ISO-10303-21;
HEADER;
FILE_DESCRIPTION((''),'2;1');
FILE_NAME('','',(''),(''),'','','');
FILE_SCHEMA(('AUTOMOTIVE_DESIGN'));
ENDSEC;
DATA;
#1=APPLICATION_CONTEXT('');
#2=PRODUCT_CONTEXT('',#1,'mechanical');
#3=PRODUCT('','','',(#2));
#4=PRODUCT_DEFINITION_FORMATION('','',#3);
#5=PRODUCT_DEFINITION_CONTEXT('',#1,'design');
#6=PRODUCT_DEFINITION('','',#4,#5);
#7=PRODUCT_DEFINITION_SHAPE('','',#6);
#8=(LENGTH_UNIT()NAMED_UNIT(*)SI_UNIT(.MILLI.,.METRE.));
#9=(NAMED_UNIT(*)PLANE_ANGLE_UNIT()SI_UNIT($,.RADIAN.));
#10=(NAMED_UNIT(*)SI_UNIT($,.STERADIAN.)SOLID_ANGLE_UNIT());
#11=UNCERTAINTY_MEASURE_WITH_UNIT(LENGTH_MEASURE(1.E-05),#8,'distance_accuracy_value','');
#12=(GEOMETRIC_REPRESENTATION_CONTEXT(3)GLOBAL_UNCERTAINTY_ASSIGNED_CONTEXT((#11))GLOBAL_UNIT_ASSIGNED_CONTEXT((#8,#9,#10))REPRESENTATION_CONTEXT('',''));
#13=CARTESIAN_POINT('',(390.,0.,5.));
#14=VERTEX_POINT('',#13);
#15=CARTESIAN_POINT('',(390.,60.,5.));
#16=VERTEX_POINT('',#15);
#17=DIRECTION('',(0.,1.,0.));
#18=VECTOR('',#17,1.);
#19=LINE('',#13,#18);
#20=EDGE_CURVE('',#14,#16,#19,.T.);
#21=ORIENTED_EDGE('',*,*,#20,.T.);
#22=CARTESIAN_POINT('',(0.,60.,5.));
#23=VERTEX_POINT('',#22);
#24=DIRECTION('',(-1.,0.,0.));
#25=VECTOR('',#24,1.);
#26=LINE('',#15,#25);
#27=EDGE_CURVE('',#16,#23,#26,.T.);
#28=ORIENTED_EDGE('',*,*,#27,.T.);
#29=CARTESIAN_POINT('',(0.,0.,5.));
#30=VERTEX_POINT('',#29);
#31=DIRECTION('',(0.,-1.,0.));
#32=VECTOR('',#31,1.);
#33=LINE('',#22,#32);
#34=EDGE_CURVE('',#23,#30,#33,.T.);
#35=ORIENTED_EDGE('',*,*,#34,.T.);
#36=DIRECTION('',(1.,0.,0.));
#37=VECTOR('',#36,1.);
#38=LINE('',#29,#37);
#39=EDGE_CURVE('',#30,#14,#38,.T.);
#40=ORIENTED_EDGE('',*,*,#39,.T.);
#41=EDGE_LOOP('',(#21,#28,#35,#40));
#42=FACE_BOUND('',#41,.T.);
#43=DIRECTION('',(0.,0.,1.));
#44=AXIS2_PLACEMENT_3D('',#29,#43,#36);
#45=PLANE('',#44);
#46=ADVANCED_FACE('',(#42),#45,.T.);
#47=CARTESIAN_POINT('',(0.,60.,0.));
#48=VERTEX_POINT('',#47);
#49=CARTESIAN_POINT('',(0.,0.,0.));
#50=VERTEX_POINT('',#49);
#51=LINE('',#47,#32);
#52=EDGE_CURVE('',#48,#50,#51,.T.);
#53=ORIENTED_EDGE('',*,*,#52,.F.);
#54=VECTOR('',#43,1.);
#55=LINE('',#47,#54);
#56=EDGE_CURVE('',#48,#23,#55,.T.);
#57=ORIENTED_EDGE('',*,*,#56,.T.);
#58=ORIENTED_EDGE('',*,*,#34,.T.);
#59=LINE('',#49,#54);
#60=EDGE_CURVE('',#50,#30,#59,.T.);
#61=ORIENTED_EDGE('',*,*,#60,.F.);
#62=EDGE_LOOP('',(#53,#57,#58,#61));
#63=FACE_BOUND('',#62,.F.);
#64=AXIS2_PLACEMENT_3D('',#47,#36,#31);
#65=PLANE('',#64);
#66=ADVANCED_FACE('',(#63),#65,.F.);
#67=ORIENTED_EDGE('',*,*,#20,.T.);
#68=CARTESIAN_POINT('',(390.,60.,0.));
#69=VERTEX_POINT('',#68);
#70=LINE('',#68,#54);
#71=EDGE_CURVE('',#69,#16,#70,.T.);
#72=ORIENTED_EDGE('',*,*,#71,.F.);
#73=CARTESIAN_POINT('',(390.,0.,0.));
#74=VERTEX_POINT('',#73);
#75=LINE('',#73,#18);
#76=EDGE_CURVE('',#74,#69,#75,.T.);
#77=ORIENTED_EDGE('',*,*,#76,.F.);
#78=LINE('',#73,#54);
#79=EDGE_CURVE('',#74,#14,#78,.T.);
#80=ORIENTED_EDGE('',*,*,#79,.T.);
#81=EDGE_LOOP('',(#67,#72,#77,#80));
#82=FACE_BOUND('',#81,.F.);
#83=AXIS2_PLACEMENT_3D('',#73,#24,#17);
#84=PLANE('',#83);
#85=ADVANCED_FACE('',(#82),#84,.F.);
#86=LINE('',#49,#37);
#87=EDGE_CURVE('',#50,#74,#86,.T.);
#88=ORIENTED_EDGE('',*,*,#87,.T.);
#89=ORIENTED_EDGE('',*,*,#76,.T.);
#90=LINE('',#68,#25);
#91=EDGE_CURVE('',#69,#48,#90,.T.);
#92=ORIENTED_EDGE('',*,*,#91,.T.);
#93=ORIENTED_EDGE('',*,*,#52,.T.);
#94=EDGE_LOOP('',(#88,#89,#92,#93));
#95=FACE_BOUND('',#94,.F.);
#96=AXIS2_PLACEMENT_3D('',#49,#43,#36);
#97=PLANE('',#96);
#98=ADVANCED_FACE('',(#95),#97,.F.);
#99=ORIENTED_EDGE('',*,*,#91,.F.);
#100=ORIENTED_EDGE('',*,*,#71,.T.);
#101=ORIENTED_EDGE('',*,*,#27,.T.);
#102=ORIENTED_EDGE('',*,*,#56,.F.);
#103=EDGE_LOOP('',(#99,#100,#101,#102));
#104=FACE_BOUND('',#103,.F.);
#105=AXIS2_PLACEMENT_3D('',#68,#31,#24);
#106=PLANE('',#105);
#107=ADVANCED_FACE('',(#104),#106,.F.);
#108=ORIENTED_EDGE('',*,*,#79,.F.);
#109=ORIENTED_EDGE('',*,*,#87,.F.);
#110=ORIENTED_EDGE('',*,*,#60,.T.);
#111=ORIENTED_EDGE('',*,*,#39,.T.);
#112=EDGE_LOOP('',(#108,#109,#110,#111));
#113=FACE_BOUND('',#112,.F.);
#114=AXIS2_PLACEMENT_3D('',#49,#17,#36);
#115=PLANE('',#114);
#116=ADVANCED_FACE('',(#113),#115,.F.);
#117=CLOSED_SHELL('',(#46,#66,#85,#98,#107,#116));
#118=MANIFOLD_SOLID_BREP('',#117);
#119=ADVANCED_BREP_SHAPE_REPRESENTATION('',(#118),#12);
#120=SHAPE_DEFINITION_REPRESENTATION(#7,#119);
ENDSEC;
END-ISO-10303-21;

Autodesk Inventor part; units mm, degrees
ref_plane "YZ Plane" through (0, 0, 0) normal (1, 0, 0) x (0, 1, 0)
ref_plane "XZ Plane" through (0, 0, 0) normal (0, 1, 0) x (-1, 0, 0)
ref_plane "XY Plane" through (0, 0, 0) normal (0, 0, 1) x (1, 0, 0)
sketch "Sketch1" plane through (0, 0, 0) normal (0, 0, 1) x (1, 0, 0)
  line L0 (0, 0) -> (390, 0)
  line L1 (390, 0) -> (390, 60)
  line L2 (390, 60) -> (0, 60)
  line L3 (0, 60) -> (0, 0)
  dimension "d0" = 390
  dimension "d1" = 60
extrude "Extrusion1" add sketch "Sketch1" along normal blind 5
equation "\"d0\" = maxh - 2 * surroundt"
equation "\"d1\" = surroundh"
equation "\"d2\" = surroundt"
equation "\"lcsd\" = 19.05"
equation "\"lcwd1\" = 25"
equation "\"lcwd2\" = 34"
equation "\"lch1\" = 39"
equation "\"lcwd3\" = 43"
equation "\"dia1\" = 6"
equation "\"td\" = 18"
equation "\"bhh\" = 6"
equation "\"sw\" = 25"
equation "\"sh\" = 31"
equation "\"spacert\" = 2"
equation "\"pvct\" = 5"
equation "\"tankl\" = 379"
equation "\"dia4\" = 11"
equation "\"dia3\" = 8"
equation "\"play\" = 9"
equation "\"holeh\" = 26"
equation "\"surroundh\" = 60"
equation "\"slack\" = 0.5"
equation "\"surroundt\" = 5"
equation "\"play2\" = 3"
equation "\"diacucl\" = 32"
equation "\"diawater\" = 25"
equation "\"diaoverflow\" = 25"
equation "\"diaph\" = 32"
equation "\"diaair\" = 32"
equation "\"diasurroundhole\" = 42"
equation "\"diagrate\" = 12"
equation "\"gratespacing\" = 12.02082"
equation "\"bottomdist\" = 9.6355"
equation "\"sidedist\" = 13.9375"
equation "\"diahcl\" = 32"
equation "\"bracketwtop\" = 6"
equation "\"bracketwbottom\" = 6"
equation "\"nett\" = 1"
equation "\"nethole\" = 16"
equation "\"netside\" = 3.5"
equation "\"nettop\" = 7"
equation "\"netholespacing\" = 2"
equation "\"diaetape\" = 32"
equation "\"maxh\" = 400"
properties part number "surround_side" material "PVC-Piping"
